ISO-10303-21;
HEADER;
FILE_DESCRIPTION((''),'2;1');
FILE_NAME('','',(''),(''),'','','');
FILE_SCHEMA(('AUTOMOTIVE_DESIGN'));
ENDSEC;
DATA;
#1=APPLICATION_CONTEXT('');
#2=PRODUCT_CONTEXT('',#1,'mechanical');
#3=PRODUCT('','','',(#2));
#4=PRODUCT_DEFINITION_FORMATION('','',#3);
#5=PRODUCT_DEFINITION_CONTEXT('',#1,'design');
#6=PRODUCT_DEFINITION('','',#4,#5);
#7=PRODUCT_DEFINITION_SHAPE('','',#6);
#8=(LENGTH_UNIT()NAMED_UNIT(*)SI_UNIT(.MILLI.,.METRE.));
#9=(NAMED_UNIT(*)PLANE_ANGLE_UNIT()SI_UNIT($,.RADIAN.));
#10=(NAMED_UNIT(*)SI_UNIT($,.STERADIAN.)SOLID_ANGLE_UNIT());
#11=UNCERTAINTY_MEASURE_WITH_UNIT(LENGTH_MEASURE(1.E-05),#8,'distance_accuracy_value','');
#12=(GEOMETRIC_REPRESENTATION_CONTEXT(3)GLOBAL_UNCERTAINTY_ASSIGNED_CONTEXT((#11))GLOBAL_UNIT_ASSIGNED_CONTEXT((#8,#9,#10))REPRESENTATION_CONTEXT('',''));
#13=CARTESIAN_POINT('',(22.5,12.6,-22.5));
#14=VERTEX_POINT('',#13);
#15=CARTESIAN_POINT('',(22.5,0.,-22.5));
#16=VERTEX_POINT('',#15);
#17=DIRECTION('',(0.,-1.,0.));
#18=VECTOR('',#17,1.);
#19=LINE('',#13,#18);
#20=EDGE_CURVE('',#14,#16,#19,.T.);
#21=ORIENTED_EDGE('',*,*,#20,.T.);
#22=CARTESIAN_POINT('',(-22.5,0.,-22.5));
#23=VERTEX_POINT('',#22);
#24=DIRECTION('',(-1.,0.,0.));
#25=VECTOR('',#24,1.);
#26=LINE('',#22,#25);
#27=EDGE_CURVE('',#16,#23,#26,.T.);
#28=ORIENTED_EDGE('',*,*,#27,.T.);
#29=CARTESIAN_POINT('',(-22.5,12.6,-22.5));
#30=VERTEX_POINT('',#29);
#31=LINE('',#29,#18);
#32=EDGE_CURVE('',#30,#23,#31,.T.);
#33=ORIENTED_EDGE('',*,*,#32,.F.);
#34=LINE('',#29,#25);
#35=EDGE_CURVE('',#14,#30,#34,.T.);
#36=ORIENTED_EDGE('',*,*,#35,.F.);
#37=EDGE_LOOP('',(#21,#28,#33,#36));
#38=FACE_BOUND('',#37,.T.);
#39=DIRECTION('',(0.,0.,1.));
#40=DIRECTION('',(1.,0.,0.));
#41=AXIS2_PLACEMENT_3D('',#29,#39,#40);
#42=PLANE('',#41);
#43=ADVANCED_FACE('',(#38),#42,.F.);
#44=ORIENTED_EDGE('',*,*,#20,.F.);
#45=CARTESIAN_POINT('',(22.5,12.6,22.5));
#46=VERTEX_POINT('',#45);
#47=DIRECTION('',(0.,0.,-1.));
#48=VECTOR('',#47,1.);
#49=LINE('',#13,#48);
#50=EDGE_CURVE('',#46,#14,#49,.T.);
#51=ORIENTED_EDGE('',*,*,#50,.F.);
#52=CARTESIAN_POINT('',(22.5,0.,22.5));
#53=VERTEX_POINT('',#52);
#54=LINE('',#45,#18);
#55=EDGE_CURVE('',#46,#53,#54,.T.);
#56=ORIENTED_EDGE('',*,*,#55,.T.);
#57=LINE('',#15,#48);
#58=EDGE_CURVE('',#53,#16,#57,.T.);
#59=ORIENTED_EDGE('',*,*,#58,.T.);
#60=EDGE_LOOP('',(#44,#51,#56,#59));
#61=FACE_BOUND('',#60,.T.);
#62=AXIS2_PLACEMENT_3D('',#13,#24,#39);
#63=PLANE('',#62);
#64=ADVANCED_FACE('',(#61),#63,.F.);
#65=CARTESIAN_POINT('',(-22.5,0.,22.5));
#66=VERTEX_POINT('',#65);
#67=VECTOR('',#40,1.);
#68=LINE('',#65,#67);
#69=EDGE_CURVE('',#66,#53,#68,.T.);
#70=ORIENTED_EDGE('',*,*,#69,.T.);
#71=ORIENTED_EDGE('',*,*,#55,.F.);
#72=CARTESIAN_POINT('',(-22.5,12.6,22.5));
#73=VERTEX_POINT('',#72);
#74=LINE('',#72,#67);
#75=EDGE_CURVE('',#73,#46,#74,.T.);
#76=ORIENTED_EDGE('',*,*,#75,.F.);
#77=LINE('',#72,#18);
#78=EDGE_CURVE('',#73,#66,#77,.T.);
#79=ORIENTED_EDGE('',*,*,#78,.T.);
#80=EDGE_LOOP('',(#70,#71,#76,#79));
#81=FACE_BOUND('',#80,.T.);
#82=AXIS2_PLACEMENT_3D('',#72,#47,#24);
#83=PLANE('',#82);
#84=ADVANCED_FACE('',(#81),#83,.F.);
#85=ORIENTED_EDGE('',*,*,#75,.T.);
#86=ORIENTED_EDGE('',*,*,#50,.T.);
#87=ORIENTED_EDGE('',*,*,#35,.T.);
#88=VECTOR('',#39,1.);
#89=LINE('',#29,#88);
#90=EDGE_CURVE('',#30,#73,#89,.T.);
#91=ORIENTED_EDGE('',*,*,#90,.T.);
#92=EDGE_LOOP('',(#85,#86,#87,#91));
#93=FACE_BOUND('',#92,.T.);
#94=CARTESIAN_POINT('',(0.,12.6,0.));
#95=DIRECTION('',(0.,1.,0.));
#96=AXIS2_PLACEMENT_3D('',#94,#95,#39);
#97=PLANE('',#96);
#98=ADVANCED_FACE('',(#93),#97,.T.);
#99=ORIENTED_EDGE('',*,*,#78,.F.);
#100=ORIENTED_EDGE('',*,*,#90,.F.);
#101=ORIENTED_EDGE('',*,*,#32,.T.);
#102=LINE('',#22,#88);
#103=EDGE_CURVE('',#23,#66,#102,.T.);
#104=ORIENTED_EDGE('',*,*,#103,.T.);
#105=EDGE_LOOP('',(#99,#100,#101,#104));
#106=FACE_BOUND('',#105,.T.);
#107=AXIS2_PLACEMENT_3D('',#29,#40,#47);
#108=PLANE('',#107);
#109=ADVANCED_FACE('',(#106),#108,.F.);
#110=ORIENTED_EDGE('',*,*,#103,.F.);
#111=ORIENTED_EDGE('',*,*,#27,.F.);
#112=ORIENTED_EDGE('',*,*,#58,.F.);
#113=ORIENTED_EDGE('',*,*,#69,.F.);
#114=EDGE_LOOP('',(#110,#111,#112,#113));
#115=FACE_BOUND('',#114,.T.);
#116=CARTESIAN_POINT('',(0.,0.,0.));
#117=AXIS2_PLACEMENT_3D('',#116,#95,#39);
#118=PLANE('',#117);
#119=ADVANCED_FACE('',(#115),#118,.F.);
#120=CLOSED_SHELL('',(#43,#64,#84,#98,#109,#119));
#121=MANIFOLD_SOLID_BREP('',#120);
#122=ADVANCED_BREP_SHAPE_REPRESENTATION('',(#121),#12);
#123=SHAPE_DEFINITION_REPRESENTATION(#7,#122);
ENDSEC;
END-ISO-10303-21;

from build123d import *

# Parameters (mm, degrees)
SKETCH1_W           = 45
SKETCH1_H           = 45
BOSS_EXTRUDE1_DEPTH = 12.6


with BuildPart() as part:
    # Sketch1 → Boss-Extrude1 (new body)
    with BuildSketch(Plane(origin=(0, 0, 0), x_dir=(1, 0, 0), z_dir=(0, 1, 0))):
        Rectangle(SKETCH1_W, SKETCH1_H)
    extrude(amount=BOSS_EXTRUDE1_DEPTH)


solid = part.part
